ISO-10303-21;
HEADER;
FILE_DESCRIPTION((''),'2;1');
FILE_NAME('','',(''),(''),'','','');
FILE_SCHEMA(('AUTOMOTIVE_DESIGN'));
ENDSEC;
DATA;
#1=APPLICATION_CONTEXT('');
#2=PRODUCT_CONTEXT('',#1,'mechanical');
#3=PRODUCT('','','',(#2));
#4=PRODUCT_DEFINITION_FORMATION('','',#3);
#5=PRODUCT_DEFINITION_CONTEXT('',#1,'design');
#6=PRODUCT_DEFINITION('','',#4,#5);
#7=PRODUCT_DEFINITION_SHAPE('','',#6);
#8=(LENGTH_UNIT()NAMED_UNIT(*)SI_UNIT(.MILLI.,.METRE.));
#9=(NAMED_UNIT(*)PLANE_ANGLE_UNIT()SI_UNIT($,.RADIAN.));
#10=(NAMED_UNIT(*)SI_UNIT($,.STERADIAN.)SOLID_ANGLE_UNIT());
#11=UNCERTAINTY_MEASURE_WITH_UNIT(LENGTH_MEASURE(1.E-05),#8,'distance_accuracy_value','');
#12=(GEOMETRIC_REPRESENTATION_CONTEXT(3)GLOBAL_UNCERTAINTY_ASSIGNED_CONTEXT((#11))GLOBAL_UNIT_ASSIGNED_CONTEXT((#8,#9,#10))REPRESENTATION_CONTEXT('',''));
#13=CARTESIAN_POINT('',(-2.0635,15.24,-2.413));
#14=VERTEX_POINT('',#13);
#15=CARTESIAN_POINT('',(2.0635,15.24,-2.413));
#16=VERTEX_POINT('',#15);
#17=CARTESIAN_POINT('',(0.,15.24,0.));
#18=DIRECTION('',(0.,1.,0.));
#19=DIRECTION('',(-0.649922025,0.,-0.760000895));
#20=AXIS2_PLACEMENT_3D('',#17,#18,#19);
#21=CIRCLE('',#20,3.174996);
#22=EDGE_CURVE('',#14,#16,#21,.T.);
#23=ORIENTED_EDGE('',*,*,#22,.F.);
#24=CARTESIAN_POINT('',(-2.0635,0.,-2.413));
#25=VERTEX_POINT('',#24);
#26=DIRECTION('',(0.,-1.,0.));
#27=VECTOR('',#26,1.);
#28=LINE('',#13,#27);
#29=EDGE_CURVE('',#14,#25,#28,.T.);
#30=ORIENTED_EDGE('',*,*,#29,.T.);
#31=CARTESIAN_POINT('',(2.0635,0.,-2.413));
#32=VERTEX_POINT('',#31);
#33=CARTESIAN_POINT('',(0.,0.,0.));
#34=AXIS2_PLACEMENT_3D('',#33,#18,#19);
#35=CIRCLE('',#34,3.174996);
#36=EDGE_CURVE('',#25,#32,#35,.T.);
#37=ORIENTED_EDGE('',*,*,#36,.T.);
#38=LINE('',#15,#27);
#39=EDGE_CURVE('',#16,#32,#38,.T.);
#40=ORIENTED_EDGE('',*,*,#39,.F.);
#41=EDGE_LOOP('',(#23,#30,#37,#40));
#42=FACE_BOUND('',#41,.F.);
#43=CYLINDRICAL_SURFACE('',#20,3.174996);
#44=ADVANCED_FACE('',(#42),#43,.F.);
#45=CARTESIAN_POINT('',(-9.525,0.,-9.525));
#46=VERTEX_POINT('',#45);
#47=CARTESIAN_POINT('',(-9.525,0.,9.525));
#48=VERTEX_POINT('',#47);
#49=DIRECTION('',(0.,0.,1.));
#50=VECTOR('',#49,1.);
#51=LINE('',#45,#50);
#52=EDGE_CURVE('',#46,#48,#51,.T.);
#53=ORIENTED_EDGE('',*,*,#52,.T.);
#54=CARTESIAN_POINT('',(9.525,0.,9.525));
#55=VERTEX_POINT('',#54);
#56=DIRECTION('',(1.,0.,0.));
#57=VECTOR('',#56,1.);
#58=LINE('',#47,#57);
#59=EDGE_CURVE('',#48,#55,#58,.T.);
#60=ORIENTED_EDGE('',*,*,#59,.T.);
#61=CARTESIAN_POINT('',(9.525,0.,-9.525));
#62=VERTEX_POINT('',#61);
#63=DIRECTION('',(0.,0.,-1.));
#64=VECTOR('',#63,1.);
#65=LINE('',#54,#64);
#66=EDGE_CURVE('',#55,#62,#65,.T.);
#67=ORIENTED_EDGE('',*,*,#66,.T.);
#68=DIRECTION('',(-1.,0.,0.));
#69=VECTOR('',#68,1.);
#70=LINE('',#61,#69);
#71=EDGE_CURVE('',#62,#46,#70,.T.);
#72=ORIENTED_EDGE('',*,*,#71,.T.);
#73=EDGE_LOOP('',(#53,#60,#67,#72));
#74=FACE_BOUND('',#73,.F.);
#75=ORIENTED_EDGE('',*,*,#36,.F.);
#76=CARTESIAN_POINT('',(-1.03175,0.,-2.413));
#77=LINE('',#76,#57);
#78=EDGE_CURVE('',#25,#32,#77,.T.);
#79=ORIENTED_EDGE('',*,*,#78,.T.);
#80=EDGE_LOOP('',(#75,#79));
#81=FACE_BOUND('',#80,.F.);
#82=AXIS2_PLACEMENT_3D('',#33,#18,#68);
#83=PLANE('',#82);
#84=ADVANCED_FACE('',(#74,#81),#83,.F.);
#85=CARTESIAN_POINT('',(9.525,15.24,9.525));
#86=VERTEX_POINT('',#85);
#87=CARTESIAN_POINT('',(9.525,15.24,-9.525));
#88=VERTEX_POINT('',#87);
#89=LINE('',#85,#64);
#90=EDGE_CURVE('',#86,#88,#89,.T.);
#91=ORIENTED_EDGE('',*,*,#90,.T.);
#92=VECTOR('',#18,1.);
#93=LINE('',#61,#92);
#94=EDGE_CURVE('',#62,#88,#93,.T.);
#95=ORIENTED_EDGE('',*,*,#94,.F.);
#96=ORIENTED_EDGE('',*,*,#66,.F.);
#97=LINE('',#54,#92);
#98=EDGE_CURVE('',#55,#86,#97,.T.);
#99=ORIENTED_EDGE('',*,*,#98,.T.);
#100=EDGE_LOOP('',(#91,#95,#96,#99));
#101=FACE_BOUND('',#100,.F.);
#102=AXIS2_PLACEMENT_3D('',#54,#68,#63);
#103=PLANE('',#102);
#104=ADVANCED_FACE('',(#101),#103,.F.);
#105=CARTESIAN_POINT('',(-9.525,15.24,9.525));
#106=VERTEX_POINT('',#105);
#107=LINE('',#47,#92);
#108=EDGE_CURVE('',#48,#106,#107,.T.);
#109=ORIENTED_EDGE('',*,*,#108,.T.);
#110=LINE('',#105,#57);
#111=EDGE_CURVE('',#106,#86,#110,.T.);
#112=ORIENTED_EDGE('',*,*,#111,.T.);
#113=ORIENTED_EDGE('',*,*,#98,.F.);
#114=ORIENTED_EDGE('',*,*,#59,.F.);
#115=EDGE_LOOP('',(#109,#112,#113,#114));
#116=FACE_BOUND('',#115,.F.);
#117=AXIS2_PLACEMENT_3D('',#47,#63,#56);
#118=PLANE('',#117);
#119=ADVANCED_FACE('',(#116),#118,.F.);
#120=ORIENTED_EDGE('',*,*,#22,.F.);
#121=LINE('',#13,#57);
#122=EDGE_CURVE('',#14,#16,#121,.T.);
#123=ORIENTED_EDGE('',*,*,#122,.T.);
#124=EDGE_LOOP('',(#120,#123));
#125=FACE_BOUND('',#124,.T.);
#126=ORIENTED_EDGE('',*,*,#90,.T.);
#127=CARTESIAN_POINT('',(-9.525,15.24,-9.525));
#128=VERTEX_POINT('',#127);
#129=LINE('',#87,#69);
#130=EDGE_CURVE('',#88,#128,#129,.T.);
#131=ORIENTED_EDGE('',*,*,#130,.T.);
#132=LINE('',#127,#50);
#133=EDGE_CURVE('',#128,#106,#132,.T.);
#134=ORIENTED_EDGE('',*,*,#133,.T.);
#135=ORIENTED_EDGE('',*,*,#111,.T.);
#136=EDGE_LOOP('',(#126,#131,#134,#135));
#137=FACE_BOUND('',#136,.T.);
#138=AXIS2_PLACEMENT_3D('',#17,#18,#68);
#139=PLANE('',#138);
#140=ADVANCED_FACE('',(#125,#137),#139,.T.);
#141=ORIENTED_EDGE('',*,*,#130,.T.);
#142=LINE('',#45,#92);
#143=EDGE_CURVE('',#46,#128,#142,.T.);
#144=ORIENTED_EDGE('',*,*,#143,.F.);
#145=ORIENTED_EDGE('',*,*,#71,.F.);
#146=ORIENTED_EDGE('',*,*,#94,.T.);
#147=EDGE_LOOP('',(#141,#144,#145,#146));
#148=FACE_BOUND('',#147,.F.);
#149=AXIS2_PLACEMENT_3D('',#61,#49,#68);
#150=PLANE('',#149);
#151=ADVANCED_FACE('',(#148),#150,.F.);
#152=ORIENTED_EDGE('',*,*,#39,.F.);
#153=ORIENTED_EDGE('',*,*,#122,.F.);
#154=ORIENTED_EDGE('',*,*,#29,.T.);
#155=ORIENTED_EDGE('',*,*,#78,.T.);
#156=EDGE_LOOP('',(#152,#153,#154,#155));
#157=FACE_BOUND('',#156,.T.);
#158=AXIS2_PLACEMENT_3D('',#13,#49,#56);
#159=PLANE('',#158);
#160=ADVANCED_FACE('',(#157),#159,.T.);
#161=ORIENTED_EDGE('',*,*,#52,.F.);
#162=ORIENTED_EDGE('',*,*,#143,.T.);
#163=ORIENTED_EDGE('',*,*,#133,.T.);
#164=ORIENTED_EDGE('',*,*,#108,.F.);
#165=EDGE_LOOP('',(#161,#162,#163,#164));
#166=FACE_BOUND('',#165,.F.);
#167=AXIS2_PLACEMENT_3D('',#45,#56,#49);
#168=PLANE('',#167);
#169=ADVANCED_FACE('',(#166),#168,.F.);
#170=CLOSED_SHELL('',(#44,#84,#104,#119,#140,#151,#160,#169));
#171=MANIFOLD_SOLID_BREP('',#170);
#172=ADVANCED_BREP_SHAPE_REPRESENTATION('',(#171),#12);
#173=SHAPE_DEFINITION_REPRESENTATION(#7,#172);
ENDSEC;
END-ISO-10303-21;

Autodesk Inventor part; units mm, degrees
ref_plane "YZ Plane" through (0, 0, 0) normal (1, 0, 0) x (0, 1, 0)
ref_plane "XZ Plane" through (0, 0, 0) normal (0, 1, 0) x (-1, 0, 0)
ref_plane "XY Plane" through (0, 0, 0) normal (0, 0, 1) x (1, 0, 0)
sketch "Sketch1" plane through (0, 0, 0) normal (0, 1, 0) x (-1, 0, 0)
  line L0 (-9.525, -9.525) -> (9.525, -9.525)
  line L1 (9.525, -9.525) -> (9.525, 9.525)
  line L2 (9.525, 9.525) -> (-9.525, 9.525)
  line L3 (-9.525, 9.525) -> (-9.525, -9.525)
  line L4 (-9.525, -9.525) -> (9.525, 9.525) construction
  line L5 (9.525, -9.525) -> (-9.525, 9.525) construction
  point P0 (0, 0)
  dimension "d0" = 19.05
  dimension "d1" = 19.05
extrude "Extrusion1" add sketch "Sketch1" along normal blind 15.24
sketch "Sketch2" plane through (0, 15.24, 0) normal (0, 1, 0) x (1, 0, 0)
  arc A0 (-2.0635, 2.413) -> (2.0635, 2.413) centre (0, 0) ccw
  line L0 (-2.0635, 2.413) -> (2.0635, 2.413)
  line L1 (-9.525, -9.525) -> (9.525, -9.525) projected
  dimension "d4" = 6.35
  dimension "d9" = 5.588
extrude "Extrusion2" cut sketch "Sketch2" against normal through all
properties part number "Shaft Connection"
